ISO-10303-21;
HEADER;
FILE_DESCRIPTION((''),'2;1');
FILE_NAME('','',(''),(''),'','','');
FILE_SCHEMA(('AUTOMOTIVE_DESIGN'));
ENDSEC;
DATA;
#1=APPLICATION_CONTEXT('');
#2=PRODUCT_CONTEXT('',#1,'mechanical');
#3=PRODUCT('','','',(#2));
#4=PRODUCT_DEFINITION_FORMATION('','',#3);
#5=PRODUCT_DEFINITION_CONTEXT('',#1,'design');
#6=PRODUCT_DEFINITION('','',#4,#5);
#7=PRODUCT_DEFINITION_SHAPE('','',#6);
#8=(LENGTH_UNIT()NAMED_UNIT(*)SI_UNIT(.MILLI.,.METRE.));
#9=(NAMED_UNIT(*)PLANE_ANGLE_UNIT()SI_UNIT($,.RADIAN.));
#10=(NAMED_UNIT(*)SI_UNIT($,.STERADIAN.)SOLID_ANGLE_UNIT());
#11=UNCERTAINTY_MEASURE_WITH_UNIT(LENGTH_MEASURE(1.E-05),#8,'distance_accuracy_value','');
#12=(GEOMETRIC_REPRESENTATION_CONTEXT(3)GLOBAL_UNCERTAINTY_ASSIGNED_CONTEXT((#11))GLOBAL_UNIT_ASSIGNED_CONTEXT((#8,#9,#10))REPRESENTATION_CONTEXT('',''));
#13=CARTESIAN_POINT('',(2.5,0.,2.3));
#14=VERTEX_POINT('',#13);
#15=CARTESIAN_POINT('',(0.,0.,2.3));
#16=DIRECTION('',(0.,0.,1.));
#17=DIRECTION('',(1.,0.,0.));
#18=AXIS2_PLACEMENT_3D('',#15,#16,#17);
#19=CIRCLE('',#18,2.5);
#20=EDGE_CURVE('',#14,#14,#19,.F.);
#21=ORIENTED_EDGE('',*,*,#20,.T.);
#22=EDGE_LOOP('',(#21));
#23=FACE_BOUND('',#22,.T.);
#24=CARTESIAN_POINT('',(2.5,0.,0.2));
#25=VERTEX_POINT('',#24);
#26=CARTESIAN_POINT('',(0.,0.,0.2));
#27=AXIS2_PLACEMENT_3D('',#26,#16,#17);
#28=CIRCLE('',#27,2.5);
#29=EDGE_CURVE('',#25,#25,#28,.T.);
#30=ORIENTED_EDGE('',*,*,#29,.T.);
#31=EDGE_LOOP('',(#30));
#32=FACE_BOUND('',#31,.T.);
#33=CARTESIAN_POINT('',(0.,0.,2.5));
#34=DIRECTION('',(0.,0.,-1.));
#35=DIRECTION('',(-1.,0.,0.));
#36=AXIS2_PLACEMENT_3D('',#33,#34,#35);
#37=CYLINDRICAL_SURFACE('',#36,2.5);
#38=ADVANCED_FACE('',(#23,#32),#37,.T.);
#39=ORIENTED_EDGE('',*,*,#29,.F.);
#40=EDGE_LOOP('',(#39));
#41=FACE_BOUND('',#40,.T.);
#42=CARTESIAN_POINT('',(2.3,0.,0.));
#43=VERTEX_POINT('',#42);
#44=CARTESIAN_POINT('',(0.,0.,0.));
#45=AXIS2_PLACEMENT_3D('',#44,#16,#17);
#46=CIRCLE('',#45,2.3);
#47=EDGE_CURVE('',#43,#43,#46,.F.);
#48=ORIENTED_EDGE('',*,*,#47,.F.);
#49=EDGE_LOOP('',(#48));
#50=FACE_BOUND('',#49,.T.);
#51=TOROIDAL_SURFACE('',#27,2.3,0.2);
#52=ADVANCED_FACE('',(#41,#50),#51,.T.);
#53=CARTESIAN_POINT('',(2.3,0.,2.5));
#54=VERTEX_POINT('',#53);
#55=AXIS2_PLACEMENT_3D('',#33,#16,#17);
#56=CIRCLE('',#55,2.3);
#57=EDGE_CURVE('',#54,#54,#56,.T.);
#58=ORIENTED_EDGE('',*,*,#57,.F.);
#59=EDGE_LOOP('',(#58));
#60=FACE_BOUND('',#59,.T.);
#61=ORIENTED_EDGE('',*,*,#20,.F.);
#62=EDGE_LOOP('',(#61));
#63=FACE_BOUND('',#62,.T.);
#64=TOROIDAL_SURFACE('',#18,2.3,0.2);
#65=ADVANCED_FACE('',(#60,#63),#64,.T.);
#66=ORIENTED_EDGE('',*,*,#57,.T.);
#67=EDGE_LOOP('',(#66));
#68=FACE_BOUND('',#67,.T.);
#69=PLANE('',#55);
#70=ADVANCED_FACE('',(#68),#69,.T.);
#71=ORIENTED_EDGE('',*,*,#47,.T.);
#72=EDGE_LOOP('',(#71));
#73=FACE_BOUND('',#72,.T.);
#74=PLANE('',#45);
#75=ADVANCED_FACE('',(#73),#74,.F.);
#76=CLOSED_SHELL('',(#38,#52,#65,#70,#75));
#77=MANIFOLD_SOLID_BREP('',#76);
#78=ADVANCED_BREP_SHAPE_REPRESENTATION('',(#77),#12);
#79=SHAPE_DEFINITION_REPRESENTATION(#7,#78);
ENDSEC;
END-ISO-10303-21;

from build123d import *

# Parameters (mm, degrees)
SCHIZZO1_R                   = 2.5
ESTRUSIONE_ESTRUSIONE1_DEPTH = 2.5
RACCORDO1_R                  = 0.2


with BuildPart() as part:
    # Schizzo1 → Estrusione-Estrusione1 (new body)
    with BuildSketch(Plane.XY):
        Circle(SCHIZZO1_R)
    extrude(amount=ESTRUSIONE_ESTRUSIONE1_DEPTH)

    # Raccordo1
    raccordo1_edges = [part.edges().sort_by_distance(p)[0] for p in [
        (-2.5, 0, 0),
        (-2.5, 0, 2.5),
    ]]
    fillet(raccordo1_edges, radius=RACCORDO1_R)


solid = part.part
